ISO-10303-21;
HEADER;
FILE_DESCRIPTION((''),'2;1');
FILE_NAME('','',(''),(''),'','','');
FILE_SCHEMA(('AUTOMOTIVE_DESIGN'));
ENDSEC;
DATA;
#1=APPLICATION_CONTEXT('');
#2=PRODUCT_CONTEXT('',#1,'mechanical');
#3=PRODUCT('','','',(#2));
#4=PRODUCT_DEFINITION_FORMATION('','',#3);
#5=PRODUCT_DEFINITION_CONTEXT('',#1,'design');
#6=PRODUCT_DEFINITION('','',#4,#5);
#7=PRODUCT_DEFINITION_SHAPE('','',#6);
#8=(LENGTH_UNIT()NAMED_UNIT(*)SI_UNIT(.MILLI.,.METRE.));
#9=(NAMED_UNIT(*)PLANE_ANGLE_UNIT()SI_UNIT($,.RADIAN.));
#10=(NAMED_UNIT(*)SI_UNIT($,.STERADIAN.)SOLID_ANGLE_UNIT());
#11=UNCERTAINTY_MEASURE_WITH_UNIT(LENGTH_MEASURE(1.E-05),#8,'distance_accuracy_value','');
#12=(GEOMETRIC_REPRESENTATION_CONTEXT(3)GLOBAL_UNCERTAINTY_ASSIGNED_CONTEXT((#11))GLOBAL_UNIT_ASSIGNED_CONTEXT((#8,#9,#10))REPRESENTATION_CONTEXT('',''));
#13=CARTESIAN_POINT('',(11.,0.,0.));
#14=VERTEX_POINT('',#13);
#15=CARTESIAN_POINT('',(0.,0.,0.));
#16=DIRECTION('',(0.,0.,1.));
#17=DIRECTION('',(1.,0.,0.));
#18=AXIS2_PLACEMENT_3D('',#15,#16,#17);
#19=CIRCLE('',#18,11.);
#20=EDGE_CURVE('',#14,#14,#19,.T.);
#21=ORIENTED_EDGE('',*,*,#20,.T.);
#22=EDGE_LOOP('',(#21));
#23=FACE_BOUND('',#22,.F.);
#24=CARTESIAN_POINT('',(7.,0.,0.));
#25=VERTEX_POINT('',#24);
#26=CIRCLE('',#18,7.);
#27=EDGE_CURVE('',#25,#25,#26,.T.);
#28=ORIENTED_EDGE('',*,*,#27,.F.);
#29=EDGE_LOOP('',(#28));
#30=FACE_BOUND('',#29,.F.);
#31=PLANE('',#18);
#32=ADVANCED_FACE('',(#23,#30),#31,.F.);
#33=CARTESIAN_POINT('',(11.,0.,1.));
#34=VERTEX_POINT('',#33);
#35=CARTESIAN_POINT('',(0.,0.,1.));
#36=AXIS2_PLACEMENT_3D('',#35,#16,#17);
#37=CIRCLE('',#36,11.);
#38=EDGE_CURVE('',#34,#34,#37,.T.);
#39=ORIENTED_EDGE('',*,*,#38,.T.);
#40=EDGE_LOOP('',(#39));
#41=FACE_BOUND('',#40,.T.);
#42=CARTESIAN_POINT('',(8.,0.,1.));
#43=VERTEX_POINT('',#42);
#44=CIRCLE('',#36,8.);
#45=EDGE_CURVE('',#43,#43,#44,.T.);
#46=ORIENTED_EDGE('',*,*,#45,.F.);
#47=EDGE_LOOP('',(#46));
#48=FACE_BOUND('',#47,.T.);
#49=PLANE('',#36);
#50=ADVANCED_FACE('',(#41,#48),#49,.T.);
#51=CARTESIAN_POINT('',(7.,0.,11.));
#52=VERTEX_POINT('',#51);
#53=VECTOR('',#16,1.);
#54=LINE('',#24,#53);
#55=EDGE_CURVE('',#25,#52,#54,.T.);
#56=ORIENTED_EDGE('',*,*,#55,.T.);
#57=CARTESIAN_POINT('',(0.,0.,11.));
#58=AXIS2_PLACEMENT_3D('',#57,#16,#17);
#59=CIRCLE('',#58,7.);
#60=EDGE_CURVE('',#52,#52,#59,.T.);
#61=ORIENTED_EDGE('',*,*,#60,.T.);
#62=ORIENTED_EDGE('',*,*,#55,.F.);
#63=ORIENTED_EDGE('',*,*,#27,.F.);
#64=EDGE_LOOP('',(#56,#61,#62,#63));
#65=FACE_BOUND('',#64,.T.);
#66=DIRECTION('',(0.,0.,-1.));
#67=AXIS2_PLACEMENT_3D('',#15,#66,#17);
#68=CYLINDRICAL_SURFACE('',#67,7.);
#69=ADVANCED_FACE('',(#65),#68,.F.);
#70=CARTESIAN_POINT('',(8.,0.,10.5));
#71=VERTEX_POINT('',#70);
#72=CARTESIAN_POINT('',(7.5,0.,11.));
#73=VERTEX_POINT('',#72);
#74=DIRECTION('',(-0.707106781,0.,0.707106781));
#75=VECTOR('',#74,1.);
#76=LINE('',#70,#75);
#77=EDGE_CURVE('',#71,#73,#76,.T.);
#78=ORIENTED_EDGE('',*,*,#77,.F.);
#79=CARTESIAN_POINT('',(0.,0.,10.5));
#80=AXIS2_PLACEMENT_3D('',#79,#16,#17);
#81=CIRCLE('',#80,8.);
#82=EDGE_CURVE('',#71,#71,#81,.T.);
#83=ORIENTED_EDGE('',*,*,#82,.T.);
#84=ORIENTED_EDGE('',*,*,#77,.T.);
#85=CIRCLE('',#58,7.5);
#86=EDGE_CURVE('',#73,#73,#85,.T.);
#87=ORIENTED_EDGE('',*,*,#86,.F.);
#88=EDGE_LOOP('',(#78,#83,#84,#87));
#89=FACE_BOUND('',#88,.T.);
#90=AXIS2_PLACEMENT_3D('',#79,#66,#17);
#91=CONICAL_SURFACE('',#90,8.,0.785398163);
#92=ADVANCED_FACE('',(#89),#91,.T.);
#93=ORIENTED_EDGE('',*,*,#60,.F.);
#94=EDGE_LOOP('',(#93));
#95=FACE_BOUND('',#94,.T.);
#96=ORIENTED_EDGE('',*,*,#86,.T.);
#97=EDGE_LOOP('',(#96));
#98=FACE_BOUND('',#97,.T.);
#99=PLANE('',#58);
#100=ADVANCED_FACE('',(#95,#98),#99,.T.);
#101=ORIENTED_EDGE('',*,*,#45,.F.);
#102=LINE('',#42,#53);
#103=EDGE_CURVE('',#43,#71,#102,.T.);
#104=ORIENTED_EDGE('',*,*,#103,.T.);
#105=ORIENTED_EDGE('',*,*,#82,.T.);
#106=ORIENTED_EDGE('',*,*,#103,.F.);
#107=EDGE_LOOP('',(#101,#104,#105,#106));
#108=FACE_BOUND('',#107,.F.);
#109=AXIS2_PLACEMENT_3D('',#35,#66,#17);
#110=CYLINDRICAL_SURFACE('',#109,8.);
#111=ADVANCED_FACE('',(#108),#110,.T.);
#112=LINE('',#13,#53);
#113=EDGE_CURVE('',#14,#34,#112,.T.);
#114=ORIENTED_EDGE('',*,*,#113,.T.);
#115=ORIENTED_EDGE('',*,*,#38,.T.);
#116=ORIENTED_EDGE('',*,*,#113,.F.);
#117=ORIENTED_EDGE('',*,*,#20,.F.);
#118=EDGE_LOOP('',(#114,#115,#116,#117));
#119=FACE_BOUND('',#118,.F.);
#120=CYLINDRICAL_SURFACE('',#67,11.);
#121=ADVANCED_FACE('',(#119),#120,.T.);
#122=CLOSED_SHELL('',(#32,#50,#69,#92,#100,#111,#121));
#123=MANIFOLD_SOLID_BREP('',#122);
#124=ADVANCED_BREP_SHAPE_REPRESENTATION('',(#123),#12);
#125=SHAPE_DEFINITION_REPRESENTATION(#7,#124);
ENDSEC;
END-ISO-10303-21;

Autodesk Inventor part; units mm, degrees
ref_plane "YZ Plane" through (0, 0, 0) normal (1, 0, 0) x (0, 1, 0)
ref_plane "XZ Plane" through (0, 0, 0) normal (0, 1, 0) x (-1, 0, 0)
ref_plane "XY Plane" through (0, 0, 0) normal (0, 0, 1) x (1, 0, 0)
sketch "スケッチ1" plane through (0, 0, 0) normal (0, 0, 1) x (1, 0, 0)
  circle A0 centre (0, 0) radius 7
  circle A1 centre (0, 0) radius 11
  dimension "d0" = 14
  dimension "d1" = 22
extrude "押し出し1" add sketch "スケッチ1" along normal blind 1
sketch "スケッチ2" plane through (0, 0, 1) normal (0, 0, 1) x (1, 0, 0)
  circle A0 centre (0, 0) radius 8
  circle A1 centre (0, 0) radius 11 projected
  circle A2 centre (0, 0) radius 7 projected
  dimension "d4" = 16
extrude "押し出し2" add sketch "スケッチ2" along normal blind 10 contours A0
chamfer "面取り1" distance 0.5 angle 45 1 edges at (-8, 0, 11)
properties part number "オイレスw5f10-12a" material "アセタール樹脂、黒"
